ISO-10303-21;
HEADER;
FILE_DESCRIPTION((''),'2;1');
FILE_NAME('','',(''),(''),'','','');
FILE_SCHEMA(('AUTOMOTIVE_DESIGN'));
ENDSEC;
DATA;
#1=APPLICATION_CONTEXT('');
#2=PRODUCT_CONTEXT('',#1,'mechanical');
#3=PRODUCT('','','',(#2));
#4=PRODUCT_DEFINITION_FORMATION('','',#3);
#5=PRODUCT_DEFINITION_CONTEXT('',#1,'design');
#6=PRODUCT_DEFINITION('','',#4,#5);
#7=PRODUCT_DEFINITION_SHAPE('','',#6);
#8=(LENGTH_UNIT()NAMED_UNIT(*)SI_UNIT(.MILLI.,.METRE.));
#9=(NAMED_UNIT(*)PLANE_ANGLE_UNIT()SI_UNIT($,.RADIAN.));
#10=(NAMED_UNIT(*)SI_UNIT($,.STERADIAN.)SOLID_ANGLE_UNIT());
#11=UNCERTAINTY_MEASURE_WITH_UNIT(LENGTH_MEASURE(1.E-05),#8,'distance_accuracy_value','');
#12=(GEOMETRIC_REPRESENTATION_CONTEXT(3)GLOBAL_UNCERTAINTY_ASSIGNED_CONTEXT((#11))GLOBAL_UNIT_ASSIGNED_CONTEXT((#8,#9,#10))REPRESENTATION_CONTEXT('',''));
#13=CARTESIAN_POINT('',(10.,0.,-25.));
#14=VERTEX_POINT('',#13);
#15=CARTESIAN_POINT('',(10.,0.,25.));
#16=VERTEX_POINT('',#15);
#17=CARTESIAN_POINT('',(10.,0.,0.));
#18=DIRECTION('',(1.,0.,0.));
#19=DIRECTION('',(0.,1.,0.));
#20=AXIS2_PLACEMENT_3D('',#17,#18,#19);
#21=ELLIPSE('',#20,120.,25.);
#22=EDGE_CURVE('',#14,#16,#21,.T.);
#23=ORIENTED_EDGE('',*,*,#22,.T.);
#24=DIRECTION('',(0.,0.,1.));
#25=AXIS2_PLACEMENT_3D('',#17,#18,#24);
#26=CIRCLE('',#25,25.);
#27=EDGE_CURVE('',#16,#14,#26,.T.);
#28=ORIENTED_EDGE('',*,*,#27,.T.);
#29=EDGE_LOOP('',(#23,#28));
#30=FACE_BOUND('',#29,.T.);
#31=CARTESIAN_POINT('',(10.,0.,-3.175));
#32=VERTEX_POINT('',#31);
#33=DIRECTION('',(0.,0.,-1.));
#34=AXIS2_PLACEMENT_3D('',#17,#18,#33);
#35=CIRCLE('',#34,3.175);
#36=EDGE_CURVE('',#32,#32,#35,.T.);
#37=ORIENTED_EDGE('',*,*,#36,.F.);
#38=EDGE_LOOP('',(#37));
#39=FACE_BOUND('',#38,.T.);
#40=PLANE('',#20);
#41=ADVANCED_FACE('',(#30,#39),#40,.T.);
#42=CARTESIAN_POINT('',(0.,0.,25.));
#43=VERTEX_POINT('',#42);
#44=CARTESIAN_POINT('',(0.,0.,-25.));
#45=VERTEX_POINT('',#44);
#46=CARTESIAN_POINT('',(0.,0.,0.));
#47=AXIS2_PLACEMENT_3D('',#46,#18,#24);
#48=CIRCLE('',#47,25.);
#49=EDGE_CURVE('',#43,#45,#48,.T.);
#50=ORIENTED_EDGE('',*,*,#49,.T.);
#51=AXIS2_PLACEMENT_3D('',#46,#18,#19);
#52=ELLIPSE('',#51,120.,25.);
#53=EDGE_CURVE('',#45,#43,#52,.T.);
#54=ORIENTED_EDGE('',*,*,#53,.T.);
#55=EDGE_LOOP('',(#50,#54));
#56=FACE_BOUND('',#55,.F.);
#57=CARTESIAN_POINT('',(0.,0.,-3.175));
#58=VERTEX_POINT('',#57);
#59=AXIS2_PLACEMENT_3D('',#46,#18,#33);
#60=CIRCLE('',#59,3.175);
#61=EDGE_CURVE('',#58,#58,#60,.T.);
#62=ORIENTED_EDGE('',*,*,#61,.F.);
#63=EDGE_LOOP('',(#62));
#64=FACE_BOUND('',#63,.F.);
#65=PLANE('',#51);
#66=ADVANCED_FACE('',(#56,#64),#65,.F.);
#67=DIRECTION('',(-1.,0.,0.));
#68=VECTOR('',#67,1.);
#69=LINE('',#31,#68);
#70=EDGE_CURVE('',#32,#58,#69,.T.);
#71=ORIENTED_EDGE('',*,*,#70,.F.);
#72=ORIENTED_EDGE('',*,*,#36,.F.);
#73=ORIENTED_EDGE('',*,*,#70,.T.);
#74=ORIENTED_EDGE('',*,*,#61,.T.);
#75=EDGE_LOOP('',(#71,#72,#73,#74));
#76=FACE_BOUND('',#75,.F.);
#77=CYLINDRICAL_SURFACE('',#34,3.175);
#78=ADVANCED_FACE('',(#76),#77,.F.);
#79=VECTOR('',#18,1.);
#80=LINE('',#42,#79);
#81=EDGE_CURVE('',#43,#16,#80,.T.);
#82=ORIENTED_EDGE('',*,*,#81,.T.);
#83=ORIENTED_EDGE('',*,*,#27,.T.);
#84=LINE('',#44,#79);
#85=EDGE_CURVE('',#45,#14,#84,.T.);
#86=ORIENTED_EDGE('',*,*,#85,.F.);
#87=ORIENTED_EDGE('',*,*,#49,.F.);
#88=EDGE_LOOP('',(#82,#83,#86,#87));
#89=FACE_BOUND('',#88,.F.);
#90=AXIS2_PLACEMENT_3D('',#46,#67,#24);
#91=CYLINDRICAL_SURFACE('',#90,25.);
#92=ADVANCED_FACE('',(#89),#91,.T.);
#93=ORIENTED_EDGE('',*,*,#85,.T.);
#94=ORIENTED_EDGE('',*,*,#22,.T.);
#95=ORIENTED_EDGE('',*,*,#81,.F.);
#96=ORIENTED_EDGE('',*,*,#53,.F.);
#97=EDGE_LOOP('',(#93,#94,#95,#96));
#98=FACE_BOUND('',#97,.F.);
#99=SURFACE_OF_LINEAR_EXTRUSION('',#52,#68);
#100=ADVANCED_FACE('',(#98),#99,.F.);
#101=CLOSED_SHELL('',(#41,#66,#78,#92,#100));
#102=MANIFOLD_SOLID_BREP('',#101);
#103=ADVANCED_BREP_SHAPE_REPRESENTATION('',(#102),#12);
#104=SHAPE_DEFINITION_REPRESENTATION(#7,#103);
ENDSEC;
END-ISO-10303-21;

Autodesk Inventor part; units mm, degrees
ref_plane "YZ Plane" through (0, 0, 0) normal (1, 0, 0) x (0, 1, 0)
ref_plane "XZ Plane" through (0, 0, 0) normal (0, 1, 0) x (-1, 0, 0)
ref_plane "XY Plane" through (0, 0, 0) normal (0, 0, 1) x (1, 0, 0)
sketch "Sketch1" plane through (0, 0, 0) normal (1, 0, 0) x (0, 1, 0)
  ellipse E0 centre (0, 0) end of major axis (120, 0) minor radius 25 (0, -25) -> (0, 25) ccw
  arc A0 (0, 25) -> (0, -25) centre (0, 0) ccw
  dimension "d0" = 120
  dimension "d1" = 25
  dimension "d2" = 50
extrude "Extrusion1" add sketch "Sketch1" along normal blind 10
sketch "Sketch4" plane through (10, 0, 0) normal (1, 0, 0) x (0, 0, -1)
  circle A0 centre (0, 0) radius 3.175
  dimension "d11" = 6.35
extrude "Extrusion4" cut sketch "Sketch4" against normal through all
properties part number "cam gear"
